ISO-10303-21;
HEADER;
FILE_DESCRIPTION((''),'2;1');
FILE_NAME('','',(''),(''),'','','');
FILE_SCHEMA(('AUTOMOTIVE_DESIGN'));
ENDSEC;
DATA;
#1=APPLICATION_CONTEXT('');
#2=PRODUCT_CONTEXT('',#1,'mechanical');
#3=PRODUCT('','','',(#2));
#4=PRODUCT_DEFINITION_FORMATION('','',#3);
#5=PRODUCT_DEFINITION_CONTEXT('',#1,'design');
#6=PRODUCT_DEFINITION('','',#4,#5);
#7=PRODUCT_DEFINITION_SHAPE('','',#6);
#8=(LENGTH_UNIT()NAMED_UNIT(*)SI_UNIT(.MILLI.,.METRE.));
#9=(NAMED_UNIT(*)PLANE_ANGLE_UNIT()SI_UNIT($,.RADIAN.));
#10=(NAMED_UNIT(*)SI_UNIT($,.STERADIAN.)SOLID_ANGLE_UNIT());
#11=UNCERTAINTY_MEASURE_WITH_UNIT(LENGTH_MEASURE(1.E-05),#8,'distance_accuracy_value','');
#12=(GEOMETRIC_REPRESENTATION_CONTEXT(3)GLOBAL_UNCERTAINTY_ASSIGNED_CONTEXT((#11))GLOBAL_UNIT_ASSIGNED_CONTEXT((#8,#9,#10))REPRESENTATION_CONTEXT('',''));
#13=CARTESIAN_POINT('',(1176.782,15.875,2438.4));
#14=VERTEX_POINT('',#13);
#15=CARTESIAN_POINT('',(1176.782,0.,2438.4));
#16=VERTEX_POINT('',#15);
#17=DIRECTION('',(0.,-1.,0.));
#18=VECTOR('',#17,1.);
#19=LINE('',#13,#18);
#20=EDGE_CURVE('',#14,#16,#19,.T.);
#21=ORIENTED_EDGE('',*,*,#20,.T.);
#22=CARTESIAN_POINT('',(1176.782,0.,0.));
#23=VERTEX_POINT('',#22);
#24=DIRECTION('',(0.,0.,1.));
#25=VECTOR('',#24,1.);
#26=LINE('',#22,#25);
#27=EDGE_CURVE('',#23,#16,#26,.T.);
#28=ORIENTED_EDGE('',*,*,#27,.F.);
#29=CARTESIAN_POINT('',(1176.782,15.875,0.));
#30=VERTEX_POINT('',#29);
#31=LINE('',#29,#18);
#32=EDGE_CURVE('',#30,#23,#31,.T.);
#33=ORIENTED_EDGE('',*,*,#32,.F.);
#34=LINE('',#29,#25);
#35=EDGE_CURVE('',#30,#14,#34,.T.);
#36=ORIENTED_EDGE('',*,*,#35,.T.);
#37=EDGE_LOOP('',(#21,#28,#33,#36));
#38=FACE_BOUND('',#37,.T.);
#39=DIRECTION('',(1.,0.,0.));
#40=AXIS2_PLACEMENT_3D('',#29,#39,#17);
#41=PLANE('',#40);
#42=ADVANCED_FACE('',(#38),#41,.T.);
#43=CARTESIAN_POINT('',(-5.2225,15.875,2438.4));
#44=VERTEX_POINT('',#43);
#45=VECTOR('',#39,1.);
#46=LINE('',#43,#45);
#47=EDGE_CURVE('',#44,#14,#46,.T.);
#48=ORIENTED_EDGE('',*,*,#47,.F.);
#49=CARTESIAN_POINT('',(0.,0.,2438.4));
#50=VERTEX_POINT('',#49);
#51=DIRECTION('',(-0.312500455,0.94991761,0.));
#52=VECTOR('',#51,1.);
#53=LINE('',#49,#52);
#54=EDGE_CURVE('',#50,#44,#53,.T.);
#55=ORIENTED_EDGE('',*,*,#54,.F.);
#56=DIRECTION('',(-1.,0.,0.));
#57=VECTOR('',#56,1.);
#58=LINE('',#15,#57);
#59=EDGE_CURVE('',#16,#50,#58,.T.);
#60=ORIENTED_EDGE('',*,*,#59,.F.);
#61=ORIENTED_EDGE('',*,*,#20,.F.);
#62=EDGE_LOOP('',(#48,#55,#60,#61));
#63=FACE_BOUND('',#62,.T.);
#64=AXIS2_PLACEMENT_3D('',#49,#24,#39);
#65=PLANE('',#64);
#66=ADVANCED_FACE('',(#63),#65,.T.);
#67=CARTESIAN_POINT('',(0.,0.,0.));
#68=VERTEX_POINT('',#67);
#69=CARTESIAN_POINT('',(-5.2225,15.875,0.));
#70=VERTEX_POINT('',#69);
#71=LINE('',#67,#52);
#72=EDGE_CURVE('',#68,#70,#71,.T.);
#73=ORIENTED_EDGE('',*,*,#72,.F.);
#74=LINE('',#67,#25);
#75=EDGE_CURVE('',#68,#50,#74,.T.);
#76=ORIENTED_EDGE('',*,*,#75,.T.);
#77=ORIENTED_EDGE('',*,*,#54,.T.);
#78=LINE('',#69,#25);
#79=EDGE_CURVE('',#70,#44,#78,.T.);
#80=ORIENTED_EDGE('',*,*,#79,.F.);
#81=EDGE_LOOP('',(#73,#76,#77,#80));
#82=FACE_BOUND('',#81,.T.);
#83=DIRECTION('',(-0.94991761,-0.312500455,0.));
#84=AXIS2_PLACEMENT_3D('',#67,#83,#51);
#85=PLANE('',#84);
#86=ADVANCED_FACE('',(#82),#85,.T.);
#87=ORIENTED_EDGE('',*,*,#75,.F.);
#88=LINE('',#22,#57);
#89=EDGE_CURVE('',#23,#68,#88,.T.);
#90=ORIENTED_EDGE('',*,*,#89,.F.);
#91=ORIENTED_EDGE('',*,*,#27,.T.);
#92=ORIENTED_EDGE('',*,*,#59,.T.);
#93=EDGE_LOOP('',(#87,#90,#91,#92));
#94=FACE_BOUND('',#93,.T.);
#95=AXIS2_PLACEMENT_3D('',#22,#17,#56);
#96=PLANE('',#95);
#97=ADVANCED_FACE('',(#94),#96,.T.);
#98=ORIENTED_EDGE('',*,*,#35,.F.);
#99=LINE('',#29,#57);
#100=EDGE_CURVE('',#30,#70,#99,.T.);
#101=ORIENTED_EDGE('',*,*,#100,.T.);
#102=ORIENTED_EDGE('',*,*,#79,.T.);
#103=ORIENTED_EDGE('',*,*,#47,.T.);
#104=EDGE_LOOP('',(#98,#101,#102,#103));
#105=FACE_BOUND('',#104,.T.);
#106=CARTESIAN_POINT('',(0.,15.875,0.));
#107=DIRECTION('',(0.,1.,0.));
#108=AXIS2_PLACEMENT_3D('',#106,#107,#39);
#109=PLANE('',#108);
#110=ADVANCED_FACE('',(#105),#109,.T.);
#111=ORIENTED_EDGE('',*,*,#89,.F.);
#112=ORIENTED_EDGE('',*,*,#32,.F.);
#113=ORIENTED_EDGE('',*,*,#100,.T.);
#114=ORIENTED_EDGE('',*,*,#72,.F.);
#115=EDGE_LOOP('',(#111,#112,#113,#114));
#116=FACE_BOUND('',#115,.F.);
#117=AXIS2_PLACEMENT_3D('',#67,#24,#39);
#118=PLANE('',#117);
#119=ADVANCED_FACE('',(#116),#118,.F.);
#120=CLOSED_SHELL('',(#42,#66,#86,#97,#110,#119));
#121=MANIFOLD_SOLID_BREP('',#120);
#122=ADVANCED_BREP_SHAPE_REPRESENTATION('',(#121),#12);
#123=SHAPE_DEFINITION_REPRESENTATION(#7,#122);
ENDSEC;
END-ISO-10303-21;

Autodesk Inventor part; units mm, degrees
ref_plane "YZ Plane" through (0, 0, 0) normal (1, 0, 0) x (0, 1, 0)
ref_plane "XZ Plane" through (0, 0, 0) normal (0, 1, 0) x (-1, 0, 0)
ref_plane "XY Plane" through (0, 0, 0) normal (0, 0, 1) x (1, 0, 0)
sketch "Sketch2" plane through (0, 0, 0) normal (0, 0, 1) x (1, 0, 0)
  line L0 (0, 0) -> (-5.2225, 15.875)
  line L1 (-5.2225, 15.875) -> (1176.782, 15.875)
  line L2 (1176.782, 15.875) -> (1176.782, 0)
  line L3 (1176.782, 0) -> (0, 0)
  line L4 (0, 0) -> (0, 15.875)
  dimension "d8" = 15.875
  dimension "d9" = 18.21
  dimension "d14" = 1176.782
extrude "Extrusion2" add sketch "Sketch2" along normal blind 2438.4
properties part number "OSB_For_Roof_With_Dimensions_45.796_x_48" material "Wood (Birch)"
